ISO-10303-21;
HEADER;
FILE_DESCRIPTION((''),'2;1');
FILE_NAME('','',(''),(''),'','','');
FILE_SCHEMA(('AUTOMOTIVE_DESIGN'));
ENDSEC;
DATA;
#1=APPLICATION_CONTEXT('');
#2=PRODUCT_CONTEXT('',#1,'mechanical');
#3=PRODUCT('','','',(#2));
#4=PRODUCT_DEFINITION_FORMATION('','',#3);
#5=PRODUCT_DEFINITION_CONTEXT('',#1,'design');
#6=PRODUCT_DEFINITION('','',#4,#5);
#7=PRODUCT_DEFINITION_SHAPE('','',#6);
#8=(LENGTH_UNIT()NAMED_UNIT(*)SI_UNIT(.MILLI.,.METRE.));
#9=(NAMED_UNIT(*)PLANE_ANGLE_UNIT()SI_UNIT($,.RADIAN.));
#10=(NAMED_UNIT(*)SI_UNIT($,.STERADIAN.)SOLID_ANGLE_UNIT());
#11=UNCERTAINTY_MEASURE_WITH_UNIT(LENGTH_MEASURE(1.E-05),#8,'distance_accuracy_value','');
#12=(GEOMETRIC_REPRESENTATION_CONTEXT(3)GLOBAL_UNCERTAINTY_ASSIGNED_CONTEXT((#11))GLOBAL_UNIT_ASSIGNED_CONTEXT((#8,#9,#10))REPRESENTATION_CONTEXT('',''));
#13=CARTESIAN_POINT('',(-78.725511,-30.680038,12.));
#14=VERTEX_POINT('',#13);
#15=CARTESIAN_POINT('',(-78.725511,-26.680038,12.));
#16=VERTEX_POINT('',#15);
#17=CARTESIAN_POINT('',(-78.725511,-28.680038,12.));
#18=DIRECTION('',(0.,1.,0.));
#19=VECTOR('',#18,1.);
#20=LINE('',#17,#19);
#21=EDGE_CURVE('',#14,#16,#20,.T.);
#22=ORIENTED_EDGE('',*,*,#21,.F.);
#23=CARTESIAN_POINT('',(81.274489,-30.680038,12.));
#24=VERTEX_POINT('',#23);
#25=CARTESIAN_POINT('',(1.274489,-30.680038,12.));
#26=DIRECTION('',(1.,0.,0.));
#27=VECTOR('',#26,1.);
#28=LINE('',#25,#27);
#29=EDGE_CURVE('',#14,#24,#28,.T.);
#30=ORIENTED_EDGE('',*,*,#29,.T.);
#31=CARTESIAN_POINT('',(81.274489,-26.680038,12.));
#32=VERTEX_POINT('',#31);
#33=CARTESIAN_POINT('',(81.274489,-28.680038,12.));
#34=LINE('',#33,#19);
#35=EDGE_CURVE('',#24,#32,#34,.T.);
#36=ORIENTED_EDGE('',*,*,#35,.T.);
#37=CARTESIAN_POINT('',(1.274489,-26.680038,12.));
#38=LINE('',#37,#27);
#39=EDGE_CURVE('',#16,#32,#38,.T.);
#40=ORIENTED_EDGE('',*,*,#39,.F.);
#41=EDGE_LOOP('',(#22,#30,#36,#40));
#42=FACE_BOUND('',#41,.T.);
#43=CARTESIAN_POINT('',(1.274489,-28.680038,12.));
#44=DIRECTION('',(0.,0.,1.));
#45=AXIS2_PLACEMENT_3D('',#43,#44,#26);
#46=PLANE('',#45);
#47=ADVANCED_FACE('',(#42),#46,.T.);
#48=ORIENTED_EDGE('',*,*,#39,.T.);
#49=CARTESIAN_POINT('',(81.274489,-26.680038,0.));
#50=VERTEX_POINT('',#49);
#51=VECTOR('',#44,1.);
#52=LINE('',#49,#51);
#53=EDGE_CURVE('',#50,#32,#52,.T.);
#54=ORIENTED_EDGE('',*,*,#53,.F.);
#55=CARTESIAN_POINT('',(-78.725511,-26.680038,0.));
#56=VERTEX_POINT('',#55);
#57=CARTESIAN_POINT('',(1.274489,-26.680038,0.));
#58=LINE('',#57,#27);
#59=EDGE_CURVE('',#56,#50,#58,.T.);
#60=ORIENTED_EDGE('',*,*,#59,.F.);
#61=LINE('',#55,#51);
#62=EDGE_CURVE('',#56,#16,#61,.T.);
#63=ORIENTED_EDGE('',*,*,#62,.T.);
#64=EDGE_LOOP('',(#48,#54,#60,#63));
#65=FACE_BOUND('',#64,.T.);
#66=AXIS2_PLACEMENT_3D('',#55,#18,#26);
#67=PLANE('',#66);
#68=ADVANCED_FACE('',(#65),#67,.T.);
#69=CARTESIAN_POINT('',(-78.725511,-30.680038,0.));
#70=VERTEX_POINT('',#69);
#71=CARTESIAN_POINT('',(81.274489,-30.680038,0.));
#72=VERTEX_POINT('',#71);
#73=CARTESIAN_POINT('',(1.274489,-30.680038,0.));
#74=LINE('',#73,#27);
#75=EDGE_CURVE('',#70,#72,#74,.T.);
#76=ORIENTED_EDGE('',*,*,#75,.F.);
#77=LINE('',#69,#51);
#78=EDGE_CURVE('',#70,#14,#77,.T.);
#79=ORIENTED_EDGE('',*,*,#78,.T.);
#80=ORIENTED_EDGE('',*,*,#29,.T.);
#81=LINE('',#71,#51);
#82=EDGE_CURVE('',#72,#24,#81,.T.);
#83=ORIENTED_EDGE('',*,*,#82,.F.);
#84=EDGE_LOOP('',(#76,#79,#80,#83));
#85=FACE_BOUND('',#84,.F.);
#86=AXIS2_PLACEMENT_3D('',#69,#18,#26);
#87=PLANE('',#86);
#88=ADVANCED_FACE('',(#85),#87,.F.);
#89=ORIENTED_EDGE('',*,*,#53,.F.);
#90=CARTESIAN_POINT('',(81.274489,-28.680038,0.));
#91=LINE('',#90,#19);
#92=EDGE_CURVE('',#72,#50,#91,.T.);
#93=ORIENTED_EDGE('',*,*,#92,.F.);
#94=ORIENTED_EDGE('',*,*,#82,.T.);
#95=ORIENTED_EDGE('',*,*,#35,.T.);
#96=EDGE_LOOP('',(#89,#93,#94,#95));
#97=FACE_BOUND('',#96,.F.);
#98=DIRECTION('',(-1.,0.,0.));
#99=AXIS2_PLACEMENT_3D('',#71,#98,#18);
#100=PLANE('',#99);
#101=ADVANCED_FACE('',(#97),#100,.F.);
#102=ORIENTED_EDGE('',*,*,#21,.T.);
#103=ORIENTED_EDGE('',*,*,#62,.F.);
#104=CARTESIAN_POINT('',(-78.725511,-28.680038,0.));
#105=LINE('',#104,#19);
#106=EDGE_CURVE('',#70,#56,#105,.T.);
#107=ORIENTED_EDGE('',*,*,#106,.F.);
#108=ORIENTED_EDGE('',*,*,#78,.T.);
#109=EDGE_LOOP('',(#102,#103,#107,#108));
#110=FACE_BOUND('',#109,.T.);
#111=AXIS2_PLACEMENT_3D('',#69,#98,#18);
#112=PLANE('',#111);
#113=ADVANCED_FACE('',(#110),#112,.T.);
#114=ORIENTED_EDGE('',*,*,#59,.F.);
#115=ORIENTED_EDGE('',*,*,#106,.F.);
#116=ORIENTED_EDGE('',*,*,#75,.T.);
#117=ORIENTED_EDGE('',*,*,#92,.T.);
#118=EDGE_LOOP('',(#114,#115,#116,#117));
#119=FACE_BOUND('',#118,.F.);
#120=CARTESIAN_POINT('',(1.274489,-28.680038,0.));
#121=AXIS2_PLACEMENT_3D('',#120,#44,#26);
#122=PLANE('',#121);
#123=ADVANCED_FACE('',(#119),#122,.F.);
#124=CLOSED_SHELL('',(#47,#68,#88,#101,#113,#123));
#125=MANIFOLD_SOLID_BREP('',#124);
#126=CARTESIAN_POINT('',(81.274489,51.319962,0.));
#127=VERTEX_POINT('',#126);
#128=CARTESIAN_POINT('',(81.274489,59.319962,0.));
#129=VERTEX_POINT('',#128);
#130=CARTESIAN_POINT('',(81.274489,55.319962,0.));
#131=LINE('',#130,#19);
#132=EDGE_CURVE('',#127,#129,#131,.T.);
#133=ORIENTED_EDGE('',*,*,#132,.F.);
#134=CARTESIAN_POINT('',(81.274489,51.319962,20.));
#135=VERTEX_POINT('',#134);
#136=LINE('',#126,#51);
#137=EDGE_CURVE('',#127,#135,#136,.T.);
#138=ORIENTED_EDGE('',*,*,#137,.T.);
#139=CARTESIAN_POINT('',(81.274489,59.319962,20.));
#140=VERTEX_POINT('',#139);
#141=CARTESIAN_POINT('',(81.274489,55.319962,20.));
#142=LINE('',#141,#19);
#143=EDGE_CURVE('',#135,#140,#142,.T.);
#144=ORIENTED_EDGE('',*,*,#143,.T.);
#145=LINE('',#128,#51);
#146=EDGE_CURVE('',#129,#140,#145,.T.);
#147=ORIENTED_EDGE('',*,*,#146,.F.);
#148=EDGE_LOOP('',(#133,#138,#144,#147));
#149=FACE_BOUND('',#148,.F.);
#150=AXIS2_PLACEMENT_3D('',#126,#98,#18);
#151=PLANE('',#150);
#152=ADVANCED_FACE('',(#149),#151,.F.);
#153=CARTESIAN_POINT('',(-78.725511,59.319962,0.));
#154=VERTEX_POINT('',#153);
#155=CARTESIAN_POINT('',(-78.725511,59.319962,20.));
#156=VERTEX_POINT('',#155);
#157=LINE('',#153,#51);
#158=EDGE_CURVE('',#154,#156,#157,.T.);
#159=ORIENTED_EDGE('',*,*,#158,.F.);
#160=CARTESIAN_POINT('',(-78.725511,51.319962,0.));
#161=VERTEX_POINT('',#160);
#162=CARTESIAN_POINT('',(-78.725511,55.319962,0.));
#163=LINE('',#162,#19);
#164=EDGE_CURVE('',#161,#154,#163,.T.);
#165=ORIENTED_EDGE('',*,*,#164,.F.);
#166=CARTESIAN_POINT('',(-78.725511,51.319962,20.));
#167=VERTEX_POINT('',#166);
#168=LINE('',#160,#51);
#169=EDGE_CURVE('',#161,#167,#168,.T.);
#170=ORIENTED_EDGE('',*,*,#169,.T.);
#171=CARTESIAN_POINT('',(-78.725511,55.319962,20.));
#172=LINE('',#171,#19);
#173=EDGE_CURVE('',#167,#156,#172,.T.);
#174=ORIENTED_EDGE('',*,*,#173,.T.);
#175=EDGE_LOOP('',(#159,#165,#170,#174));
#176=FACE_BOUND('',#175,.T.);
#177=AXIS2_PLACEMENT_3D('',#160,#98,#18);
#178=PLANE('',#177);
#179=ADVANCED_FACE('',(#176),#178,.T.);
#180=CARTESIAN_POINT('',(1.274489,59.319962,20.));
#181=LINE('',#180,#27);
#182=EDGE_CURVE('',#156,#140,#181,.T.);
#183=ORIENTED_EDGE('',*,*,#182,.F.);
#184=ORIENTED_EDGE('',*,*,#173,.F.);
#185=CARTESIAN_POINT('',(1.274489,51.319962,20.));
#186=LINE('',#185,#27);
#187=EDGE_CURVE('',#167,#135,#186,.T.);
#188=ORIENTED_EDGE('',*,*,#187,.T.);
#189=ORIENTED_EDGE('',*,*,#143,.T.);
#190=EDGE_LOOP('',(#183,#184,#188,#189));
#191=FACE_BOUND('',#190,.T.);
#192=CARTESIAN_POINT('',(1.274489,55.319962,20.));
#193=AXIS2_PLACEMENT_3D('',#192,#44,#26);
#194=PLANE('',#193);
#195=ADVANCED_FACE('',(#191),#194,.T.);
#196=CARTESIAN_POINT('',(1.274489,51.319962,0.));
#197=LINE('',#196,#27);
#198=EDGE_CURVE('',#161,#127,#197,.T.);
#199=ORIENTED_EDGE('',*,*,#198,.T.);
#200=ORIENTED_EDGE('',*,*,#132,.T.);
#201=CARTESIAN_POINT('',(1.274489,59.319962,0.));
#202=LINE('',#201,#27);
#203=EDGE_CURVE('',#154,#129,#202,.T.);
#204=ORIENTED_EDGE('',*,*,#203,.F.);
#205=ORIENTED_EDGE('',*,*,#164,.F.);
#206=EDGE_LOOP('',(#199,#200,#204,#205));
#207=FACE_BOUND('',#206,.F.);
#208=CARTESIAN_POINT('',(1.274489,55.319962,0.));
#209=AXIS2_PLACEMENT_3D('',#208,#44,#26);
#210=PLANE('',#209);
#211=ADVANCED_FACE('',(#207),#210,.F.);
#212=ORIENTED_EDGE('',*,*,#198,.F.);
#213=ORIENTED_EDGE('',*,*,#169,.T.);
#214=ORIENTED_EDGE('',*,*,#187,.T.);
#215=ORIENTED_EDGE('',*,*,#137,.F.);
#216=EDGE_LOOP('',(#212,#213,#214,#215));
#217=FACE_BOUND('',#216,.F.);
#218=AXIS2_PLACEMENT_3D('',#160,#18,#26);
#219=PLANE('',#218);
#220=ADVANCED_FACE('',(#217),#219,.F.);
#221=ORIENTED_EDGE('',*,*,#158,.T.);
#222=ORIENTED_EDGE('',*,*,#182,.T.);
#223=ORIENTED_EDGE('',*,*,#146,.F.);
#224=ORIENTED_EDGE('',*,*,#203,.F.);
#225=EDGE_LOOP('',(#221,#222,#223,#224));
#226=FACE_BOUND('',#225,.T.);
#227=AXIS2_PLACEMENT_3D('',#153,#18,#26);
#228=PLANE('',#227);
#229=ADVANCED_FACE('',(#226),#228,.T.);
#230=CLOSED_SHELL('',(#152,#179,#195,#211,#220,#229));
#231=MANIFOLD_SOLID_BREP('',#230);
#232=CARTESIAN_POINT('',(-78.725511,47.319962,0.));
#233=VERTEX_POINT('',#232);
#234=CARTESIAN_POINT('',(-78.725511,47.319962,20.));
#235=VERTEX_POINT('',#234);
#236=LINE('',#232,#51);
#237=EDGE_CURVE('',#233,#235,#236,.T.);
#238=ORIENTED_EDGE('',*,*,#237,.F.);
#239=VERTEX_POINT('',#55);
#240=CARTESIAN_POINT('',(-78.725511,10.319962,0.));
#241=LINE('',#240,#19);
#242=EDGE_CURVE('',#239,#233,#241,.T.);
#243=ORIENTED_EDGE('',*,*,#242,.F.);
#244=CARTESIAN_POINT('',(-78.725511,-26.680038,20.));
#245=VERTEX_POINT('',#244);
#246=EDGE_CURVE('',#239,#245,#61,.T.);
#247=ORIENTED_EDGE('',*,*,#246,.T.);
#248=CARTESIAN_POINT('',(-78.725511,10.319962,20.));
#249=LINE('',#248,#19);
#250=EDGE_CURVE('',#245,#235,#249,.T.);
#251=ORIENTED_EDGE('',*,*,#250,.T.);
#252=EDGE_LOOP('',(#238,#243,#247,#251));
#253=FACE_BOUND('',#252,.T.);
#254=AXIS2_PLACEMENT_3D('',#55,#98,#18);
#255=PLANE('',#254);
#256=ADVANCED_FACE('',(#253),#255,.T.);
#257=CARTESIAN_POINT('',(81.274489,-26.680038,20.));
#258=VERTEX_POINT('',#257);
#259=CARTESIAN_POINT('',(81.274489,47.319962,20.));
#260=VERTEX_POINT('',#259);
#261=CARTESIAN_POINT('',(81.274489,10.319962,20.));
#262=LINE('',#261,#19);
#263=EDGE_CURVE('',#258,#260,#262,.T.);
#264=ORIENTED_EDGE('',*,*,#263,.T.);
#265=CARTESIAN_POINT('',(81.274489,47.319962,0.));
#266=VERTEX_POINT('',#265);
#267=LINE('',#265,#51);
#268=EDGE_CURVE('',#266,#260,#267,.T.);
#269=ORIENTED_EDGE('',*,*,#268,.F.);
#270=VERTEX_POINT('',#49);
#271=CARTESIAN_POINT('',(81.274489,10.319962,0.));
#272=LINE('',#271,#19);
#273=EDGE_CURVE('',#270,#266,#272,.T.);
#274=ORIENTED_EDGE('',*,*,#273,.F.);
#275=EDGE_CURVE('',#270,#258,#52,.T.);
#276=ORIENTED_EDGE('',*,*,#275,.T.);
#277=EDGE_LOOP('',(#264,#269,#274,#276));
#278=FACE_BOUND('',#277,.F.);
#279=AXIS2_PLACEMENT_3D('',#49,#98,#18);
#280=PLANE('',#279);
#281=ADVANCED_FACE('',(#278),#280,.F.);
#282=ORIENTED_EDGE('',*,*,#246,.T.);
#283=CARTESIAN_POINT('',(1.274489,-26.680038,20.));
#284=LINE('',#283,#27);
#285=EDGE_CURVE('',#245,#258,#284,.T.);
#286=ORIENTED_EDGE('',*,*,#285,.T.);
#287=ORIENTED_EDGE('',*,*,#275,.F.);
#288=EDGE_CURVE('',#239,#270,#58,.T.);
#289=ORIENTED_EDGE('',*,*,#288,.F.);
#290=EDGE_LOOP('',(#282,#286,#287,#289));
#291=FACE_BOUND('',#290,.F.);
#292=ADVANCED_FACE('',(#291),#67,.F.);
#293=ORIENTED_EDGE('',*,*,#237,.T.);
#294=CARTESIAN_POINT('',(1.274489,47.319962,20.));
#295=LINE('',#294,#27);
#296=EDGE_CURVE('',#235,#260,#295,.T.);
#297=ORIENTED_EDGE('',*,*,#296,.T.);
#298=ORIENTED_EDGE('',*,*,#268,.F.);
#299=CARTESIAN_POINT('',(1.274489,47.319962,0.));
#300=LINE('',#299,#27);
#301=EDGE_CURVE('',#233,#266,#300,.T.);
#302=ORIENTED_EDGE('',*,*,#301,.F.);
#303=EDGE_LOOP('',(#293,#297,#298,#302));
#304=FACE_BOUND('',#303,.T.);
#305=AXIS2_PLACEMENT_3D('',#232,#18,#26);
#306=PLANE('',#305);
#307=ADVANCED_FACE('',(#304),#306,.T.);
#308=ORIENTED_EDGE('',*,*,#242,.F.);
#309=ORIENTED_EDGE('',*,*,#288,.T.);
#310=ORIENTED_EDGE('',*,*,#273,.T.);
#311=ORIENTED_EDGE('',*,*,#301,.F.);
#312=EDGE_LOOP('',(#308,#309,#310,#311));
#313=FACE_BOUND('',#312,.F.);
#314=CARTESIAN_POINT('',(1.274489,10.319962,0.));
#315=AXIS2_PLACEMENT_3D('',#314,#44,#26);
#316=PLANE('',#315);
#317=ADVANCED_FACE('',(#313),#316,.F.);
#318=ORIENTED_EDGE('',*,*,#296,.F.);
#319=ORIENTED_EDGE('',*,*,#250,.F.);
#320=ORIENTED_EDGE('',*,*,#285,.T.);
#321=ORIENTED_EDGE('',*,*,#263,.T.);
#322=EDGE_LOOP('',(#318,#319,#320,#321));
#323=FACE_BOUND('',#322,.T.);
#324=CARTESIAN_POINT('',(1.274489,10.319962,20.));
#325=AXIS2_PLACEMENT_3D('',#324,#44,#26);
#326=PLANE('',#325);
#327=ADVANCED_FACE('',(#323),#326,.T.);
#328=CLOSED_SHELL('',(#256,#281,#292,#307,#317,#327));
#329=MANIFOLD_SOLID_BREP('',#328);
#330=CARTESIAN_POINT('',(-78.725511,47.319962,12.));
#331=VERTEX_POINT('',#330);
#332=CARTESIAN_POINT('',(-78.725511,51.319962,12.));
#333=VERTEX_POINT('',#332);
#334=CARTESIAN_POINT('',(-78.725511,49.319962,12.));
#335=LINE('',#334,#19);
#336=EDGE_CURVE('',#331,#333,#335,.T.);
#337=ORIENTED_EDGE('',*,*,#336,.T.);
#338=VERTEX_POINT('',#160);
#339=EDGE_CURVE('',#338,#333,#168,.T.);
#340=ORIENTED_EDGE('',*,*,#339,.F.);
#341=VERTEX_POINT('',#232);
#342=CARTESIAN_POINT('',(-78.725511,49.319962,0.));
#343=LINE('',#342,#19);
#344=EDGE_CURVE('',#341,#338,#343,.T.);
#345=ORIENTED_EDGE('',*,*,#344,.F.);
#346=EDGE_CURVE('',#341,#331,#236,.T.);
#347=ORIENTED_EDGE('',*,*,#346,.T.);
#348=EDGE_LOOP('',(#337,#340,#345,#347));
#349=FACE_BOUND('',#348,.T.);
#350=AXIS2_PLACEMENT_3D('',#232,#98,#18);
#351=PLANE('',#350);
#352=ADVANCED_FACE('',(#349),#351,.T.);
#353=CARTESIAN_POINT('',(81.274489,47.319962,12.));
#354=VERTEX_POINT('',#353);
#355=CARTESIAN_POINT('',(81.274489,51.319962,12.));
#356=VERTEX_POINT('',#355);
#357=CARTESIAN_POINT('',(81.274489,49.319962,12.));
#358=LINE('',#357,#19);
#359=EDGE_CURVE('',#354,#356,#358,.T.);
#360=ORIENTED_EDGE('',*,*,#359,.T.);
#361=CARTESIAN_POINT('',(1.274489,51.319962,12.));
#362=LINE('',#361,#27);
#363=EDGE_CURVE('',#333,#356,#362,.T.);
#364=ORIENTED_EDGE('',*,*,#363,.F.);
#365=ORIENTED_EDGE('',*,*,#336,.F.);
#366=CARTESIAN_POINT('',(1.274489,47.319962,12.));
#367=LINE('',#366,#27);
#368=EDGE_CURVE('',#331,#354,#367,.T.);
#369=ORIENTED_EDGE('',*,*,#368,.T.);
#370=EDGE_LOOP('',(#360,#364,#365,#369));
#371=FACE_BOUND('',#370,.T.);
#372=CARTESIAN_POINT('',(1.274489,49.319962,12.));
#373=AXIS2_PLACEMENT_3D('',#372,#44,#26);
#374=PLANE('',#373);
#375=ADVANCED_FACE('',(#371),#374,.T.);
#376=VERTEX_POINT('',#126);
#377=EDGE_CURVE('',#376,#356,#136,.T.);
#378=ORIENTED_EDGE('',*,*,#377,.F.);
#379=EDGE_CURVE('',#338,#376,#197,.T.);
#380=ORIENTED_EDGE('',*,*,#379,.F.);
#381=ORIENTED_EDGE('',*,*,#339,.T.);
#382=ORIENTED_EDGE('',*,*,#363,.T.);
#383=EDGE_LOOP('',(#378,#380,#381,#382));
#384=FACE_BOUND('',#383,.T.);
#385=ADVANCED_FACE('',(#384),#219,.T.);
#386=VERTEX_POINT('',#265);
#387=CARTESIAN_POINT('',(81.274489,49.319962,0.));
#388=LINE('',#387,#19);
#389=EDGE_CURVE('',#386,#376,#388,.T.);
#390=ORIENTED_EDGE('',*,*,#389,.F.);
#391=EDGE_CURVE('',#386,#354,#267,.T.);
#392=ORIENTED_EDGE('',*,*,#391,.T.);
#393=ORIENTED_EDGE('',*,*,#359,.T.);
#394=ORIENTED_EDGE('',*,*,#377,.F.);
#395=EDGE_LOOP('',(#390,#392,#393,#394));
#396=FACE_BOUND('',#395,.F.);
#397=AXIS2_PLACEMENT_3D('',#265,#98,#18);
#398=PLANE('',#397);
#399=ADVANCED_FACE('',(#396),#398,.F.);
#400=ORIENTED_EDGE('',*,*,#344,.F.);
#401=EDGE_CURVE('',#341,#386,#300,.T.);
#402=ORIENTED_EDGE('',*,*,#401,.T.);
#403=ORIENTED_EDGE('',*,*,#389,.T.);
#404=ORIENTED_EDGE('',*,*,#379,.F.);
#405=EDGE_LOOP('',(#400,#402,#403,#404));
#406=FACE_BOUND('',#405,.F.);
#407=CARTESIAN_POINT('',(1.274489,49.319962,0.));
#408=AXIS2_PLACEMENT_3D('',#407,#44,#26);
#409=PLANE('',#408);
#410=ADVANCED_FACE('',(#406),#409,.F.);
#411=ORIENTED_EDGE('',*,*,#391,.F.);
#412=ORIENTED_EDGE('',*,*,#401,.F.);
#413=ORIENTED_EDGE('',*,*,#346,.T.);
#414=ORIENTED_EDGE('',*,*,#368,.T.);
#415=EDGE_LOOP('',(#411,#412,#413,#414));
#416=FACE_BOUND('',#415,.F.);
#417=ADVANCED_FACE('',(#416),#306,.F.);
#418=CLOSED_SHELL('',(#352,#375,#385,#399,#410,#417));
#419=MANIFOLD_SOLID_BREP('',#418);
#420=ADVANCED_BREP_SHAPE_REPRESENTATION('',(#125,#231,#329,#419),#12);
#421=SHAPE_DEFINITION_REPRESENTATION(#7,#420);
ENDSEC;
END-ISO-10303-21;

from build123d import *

# Parameters (mm, degrees)
F0_W     = 160
F0_H     = 8
F0_H_2   = 74
F1_DEPTH = 20
F0_H_3   = 4
F2_DEPTH = 12


with BuildPart() as f1:
    # F0 (on Top) → F1 (new body)
    with BuildSketch(Plane.XY):
        with Locations((1.274489, 55.319962)):
            Rectangle(F0_W, F0_H)
        with Locations((1.274489, 10.319962)):
            Rectangle(F0_W, F0_H_2)
    extrude(amount=F1_DEPTH)


with BuildPart() as f2:
    # F0 (on Top) → F2 (new body)
    with BuildSketch(Plane.XY):
        with Locations((1.274489, 49.319962)):
            Rectangle(F0_W, F0_H_3)
        with Locations((1.274489, -28.680038)):
            Rectangle(F0_W, F0_H_3)
    extrude(amount=F2_DEPTH)


solid = Compound([f1.part, f2.part])
